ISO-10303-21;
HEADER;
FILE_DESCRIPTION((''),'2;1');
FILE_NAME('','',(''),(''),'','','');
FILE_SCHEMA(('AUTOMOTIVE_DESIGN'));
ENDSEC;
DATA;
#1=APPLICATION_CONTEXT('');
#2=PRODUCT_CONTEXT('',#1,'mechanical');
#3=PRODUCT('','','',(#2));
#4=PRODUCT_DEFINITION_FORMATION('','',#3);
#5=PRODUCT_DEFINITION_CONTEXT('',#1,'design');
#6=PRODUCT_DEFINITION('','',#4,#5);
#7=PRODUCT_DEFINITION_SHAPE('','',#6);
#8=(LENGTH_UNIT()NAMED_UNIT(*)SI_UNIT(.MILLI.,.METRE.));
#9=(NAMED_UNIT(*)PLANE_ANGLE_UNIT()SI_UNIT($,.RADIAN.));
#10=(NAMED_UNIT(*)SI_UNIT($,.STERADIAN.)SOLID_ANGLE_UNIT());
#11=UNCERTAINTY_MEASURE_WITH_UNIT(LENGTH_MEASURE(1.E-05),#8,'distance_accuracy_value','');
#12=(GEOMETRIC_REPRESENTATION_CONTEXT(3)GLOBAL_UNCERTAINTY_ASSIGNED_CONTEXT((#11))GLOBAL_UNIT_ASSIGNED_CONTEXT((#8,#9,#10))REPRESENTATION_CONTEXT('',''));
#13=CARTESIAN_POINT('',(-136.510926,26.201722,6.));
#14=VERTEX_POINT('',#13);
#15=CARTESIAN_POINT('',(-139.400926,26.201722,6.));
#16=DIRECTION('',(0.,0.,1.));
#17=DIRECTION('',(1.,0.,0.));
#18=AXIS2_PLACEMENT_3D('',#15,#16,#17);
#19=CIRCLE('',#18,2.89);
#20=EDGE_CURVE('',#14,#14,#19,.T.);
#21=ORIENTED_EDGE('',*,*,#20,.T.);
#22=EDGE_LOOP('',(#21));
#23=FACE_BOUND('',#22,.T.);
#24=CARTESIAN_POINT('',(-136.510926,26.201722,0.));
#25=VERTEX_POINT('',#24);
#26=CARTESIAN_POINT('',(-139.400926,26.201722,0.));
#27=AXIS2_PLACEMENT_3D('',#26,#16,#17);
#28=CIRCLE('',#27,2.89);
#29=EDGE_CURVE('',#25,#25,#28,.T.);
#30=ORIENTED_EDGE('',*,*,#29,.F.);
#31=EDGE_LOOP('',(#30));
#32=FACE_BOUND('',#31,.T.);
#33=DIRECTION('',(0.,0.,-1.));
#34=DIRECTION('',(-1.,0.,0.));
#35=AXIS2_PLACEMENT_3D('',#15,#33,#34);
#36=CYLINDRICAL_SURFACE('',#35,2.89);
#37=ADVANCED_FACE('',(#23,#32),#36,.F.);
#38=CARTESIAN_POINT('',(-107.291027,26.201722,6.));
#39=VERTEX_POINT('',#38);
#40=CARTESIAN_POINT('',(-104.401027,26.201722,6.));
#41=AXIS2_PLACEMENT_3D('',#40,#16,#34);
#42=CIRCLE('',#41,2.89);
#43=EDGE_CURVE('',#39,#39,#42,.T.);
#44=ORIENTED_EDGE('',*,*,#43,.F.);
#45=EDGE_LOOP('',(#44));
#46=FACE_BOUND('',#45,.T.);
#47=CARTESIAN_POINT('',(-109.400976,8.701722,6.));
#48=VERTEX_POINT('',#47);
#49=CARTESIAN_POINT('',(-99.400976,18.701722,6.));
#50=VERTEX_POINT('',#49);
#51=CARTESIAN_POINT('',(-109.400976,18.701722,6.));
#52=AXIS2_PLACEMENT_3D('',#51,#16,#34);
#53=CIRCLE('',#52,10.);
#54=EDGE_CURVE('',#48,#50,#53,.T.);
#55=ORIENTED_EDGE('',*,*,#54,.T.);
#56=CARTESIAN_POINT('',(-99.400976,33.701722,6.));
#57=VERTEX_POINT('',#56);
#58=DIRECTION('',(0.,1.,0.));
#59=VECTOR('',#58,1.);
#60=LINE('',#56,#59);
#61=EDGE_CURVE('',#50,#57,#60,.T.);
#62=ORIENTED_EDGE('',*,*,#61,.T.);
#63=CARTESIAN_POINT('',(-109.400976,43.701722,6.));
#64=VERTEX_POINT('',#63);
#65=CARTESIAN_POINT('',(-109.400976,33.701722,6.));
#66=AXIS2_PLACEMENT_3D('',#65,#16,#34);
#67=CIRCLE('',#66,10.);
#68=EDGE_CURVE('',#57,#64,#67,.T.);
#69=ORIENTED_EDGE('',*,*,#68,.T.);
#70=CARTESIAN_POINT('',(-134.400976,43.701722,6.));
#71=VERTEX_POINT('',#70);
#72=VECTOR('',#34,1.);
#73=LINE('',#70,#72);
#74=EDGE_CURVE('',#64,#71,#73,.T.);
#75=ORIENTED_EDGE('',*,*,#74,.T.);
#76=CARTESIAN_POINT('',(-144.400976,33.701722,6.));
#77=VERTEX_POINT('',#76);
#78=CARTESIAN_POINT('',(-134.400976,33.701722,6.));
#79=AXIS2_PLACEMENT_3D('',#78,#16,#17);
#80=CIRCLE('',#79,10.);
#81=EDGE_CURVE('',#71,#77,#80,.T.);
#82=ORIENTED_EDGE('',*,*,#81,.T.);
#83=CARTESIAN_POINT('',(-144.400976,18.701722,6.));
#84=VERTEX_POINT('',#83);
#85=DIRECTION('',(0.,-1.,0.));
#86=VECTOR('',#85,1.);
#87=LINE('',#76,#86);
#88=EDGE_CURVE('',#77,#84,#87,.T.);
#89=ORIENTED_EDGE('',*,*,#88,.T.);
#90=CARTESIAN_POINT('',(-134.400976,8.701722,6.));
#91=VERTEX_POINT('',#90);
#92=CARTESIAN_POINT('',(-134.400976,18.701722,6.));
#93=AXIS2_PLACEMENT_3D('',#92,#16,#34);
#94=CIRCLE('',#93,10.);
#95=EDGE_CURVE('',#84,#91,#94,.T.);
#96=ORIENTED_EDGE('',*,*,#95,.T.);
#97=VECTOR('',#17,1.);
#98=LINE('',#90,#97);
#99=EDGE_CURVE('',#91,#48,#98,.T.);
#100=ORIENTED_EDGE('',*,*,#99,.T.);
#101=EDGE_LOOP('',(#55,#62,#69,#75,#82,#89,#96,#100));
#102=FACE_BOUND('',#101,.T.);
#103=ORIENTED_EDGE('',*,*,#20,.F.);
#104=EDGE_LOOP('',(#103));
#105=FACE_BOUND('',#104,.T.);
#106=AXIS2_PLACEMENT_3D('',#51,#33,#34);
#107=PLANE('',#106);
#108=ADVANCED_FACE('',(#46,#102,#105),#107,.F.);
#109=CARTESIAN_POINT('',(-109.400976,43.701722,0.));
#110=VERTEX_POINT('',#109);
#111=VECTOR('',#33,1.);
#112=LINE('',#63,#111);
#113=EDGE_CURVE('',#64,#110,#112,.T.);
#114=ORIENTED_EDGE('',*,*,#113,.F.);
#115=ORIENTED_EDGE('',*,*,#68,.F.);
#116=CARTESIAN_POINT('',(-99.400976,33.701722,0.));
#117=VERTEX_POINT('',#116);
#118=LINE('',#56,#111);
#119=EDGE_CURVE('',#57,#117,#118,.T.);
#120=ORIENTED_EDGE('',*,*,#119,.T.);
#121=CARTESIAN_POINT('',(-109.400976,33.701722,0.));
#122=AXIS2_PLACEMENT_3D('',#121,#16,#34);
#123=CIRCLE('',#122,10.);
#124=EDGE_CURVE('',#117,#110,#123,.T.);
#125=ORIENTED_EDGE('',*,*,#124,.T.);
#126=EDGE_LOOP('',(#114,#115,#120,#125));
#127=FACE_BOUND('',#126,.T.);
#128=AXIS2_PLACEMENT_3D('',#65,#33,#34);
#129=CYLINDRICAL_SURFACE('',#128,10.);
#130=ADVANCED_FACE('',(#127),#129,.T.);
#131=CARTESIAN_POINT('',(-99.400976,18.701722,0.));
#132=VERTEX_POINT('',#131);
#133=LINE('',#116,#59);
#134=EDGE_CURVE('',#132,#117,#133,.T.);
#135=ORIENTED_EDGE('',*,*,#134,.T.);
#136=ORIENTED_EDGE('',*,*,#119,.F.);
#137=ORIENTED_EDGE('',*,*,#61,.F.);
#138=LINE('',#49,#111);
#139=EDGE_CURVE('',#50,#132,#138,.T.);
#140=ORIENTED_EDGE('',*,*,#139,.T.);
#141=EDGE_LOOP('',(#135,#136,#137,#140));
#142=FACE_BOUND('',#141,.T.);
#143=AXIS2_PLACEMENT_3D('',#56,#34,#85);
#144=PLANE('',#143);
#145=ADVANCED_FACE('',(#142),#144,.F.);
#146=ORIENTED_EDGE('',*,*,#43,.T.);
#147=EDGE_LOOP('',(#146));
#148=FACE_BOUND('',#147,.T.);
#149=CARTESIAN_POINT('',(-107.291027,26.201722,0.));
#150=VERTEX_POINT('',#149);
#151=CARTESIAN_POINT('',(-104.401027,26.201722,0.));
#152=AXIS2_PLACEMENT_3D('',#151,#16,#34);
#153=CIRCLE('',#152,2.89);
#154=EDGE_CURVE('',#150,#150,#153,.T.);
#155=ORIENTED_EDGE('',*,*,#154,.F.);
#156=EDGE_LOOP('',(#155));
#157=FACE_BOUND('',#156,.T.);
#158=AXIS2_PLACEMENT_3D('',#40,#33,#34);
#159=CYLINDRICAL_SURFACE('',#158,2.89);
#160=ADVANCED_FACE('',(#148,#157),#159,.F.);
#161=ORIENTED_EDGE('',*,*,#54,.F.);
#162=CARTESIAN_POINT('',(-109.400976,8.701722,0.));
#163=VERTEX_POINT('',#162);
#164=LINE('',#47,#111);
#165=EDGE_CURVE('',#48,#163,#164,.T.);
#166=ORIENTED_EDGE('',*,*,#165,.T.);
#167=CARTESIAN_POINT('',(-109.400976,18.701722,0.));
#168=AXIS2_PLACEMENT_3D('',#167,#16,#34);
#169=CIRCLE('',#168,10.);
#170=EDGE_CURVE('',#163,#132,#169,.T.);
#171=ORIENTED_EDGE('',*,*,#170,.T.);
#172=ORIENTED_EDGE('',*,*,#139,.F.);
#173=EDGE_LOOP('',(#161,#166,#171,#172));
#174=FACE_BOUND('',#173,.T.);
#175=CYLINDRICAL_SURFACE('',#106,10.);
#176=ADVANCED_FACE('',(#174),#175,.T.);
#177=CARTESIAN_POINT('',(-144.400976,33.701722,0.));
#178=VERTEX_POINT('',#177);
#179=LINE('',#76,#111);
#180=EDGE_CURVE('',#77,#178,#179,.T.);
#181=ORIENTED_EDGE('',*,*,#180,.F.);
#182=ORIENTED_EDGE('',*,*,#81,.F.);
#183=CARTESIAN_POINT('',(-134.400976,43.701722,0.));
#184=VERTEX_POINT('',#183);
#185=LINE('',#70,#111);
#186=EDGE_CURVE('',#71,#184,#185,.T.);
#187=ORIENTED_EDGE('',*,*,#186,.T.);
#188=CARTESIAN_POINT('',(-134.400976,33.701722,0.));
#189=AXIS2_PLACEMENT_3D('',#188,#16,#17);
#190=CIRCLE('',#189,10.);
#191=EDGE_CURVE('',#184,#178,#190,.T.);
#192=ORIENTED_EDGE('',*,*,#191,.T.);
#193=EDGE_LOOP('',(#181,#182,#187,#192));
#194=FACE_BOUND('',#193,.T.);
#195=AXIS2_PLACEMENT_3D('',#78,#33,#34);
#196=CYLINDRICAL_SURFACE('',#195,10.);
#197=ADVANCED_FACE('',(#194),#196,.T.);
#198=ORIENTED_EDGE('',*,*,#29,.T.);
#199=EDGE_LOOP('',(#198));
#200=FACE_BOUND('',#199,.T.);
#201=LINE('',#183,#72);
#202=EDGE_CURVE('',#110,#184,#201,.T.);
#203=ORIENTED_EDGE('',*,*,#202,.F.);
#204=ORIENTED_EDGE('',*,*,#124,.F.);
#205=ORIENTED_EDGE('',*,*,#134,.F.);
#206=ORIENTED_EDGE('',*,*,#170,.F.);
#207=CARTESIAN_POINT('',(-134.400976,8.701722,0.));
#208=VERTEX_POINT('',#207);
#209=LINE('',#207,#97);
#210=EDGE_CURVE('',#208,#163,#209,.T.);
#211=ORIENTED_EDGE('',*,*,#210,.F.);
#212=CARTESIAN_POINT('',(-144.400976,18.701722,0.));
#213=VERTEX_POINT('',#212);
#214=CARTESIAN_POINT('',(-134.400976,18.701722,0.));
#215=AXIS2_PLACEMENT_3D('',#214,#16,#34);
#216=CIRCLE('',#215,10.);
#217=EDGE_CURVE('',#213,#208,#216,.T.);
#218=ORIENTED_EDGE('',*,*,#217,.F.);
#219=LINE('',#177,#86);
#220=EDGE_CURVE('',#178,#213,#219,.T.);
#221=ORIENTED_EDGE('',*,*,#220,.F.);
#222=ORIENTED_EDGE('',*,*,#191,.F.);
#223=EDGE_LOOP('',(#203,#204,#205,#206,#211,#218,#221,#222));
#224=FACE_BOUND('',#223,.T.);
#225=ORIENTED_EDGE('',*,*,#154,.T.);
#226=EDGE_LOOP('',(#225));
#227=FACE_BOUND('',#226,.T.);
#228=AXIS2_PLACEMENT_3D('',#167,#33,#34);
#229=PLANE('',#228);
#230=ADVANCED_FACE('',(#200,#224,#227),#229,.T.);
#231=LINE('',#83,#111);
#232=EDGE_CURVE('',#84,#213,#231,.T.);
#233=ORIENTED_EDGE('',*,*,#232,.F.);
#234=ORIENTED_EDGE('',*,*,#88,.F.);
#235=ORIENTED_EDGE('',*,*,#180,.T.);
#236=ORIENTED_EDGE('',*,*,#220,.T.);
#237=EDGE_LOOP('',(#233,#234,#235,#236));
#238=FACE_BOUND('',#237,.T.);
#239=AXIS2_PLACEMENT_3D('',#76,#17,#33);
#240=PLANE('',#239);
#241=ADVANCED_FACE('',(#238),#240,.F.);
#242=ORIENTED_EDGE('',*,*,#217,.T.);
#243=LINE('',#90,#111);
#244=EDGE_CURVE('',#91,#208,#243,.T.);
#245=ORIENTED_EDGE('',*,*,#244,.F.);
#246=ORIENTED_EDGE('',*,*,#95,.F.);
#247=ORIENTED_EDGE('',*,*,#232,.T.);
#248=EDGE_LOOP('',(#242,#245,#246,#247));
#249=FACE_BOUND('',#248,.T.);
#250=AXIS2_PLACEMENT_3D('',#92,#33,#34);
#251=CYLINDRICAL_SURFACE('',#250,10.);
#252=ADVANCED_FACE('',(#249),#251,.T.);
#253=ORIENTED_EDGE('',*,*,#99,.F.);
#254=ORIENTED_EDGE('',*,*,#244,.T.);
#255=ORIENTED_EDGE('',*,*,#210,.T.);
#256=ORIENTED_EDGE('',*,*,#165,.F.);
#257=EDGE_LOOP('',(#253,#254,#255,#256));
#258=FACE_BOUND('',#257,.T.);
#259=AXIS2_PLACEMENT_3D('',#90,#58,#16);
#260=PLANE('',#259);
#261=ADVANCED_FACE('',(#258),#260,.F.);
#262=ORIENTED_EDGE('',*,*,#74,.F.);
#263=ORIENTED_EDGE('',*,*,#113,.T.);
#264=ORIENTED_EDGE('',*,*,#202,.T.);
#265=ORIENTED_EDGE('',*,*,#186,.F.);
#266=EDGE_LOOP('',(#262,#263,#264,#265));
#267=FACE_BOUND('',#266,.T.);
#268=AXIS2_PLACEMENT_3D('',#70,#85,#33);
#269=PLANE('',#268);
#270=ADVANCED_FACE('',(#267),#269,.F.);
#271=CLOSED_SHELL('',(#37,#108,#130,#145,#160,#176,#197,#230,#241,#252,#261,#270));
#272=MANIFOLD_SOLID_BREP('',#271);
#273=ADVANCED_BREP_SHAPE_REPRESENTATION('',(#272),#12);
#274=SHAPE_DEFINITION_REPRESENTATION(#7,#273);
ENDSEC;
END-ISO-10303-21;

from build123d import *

# Parameters (mm, degrees)
SKETCH2_R           = 2.89
BOSS_EXTRUDE1_DEPTH = 6


with BuildPart() as part:
    # Sketch2 → Boss-Extrude1 (new body)
    with BuildSketch(Plane.XY):
        with BuildLine():
            Line((-134.400976219, 43.701721803), (-109.400976219, 43.701721803))
            ThreePointArc((-109.400976219, 43.701721803), (-102.329908407, 40.772789615), (-99.400976219, 33.701721803))
            Line((-99.400976219, 33.701721803), (-99.400976219, 18.701721803))
            ThreePointArc((-99.400976219, 18.701721803), (-102.329908407, 11.630653991), (-109.400976219, 8.701721803))
            Line((-109.400976219, 8.701721803), (-134.400976219, 8.701721803))
            ThreePointArc((-134.400976219, 8.701721803), (-141.472044031, 11.630653991), (-144.400976219, 18.701721803))
            Line((-144.400976219, 18.701721803), (-144.400976219, 33.701721803))
            ThreePointArc((-144.400976219, 33.701721803), (-141.472044031, 40.772789615), (-134.400976219, 43.701721803))
        make_face()
        with Locations((-139.400925623, 26.201721803)):
            Circle(SKETCH2_R, mode=Mode.SUBTRACT)
        with Locations(Location((-104.401026816, 26.201721803, 0), (0, 0, 180))):
            Circle(SKETCH2_R, mode=Mode.SUBTRACT)
    extrude(amount=BOSS_EXTRUDE1_DEPTH)


solid = part.part
